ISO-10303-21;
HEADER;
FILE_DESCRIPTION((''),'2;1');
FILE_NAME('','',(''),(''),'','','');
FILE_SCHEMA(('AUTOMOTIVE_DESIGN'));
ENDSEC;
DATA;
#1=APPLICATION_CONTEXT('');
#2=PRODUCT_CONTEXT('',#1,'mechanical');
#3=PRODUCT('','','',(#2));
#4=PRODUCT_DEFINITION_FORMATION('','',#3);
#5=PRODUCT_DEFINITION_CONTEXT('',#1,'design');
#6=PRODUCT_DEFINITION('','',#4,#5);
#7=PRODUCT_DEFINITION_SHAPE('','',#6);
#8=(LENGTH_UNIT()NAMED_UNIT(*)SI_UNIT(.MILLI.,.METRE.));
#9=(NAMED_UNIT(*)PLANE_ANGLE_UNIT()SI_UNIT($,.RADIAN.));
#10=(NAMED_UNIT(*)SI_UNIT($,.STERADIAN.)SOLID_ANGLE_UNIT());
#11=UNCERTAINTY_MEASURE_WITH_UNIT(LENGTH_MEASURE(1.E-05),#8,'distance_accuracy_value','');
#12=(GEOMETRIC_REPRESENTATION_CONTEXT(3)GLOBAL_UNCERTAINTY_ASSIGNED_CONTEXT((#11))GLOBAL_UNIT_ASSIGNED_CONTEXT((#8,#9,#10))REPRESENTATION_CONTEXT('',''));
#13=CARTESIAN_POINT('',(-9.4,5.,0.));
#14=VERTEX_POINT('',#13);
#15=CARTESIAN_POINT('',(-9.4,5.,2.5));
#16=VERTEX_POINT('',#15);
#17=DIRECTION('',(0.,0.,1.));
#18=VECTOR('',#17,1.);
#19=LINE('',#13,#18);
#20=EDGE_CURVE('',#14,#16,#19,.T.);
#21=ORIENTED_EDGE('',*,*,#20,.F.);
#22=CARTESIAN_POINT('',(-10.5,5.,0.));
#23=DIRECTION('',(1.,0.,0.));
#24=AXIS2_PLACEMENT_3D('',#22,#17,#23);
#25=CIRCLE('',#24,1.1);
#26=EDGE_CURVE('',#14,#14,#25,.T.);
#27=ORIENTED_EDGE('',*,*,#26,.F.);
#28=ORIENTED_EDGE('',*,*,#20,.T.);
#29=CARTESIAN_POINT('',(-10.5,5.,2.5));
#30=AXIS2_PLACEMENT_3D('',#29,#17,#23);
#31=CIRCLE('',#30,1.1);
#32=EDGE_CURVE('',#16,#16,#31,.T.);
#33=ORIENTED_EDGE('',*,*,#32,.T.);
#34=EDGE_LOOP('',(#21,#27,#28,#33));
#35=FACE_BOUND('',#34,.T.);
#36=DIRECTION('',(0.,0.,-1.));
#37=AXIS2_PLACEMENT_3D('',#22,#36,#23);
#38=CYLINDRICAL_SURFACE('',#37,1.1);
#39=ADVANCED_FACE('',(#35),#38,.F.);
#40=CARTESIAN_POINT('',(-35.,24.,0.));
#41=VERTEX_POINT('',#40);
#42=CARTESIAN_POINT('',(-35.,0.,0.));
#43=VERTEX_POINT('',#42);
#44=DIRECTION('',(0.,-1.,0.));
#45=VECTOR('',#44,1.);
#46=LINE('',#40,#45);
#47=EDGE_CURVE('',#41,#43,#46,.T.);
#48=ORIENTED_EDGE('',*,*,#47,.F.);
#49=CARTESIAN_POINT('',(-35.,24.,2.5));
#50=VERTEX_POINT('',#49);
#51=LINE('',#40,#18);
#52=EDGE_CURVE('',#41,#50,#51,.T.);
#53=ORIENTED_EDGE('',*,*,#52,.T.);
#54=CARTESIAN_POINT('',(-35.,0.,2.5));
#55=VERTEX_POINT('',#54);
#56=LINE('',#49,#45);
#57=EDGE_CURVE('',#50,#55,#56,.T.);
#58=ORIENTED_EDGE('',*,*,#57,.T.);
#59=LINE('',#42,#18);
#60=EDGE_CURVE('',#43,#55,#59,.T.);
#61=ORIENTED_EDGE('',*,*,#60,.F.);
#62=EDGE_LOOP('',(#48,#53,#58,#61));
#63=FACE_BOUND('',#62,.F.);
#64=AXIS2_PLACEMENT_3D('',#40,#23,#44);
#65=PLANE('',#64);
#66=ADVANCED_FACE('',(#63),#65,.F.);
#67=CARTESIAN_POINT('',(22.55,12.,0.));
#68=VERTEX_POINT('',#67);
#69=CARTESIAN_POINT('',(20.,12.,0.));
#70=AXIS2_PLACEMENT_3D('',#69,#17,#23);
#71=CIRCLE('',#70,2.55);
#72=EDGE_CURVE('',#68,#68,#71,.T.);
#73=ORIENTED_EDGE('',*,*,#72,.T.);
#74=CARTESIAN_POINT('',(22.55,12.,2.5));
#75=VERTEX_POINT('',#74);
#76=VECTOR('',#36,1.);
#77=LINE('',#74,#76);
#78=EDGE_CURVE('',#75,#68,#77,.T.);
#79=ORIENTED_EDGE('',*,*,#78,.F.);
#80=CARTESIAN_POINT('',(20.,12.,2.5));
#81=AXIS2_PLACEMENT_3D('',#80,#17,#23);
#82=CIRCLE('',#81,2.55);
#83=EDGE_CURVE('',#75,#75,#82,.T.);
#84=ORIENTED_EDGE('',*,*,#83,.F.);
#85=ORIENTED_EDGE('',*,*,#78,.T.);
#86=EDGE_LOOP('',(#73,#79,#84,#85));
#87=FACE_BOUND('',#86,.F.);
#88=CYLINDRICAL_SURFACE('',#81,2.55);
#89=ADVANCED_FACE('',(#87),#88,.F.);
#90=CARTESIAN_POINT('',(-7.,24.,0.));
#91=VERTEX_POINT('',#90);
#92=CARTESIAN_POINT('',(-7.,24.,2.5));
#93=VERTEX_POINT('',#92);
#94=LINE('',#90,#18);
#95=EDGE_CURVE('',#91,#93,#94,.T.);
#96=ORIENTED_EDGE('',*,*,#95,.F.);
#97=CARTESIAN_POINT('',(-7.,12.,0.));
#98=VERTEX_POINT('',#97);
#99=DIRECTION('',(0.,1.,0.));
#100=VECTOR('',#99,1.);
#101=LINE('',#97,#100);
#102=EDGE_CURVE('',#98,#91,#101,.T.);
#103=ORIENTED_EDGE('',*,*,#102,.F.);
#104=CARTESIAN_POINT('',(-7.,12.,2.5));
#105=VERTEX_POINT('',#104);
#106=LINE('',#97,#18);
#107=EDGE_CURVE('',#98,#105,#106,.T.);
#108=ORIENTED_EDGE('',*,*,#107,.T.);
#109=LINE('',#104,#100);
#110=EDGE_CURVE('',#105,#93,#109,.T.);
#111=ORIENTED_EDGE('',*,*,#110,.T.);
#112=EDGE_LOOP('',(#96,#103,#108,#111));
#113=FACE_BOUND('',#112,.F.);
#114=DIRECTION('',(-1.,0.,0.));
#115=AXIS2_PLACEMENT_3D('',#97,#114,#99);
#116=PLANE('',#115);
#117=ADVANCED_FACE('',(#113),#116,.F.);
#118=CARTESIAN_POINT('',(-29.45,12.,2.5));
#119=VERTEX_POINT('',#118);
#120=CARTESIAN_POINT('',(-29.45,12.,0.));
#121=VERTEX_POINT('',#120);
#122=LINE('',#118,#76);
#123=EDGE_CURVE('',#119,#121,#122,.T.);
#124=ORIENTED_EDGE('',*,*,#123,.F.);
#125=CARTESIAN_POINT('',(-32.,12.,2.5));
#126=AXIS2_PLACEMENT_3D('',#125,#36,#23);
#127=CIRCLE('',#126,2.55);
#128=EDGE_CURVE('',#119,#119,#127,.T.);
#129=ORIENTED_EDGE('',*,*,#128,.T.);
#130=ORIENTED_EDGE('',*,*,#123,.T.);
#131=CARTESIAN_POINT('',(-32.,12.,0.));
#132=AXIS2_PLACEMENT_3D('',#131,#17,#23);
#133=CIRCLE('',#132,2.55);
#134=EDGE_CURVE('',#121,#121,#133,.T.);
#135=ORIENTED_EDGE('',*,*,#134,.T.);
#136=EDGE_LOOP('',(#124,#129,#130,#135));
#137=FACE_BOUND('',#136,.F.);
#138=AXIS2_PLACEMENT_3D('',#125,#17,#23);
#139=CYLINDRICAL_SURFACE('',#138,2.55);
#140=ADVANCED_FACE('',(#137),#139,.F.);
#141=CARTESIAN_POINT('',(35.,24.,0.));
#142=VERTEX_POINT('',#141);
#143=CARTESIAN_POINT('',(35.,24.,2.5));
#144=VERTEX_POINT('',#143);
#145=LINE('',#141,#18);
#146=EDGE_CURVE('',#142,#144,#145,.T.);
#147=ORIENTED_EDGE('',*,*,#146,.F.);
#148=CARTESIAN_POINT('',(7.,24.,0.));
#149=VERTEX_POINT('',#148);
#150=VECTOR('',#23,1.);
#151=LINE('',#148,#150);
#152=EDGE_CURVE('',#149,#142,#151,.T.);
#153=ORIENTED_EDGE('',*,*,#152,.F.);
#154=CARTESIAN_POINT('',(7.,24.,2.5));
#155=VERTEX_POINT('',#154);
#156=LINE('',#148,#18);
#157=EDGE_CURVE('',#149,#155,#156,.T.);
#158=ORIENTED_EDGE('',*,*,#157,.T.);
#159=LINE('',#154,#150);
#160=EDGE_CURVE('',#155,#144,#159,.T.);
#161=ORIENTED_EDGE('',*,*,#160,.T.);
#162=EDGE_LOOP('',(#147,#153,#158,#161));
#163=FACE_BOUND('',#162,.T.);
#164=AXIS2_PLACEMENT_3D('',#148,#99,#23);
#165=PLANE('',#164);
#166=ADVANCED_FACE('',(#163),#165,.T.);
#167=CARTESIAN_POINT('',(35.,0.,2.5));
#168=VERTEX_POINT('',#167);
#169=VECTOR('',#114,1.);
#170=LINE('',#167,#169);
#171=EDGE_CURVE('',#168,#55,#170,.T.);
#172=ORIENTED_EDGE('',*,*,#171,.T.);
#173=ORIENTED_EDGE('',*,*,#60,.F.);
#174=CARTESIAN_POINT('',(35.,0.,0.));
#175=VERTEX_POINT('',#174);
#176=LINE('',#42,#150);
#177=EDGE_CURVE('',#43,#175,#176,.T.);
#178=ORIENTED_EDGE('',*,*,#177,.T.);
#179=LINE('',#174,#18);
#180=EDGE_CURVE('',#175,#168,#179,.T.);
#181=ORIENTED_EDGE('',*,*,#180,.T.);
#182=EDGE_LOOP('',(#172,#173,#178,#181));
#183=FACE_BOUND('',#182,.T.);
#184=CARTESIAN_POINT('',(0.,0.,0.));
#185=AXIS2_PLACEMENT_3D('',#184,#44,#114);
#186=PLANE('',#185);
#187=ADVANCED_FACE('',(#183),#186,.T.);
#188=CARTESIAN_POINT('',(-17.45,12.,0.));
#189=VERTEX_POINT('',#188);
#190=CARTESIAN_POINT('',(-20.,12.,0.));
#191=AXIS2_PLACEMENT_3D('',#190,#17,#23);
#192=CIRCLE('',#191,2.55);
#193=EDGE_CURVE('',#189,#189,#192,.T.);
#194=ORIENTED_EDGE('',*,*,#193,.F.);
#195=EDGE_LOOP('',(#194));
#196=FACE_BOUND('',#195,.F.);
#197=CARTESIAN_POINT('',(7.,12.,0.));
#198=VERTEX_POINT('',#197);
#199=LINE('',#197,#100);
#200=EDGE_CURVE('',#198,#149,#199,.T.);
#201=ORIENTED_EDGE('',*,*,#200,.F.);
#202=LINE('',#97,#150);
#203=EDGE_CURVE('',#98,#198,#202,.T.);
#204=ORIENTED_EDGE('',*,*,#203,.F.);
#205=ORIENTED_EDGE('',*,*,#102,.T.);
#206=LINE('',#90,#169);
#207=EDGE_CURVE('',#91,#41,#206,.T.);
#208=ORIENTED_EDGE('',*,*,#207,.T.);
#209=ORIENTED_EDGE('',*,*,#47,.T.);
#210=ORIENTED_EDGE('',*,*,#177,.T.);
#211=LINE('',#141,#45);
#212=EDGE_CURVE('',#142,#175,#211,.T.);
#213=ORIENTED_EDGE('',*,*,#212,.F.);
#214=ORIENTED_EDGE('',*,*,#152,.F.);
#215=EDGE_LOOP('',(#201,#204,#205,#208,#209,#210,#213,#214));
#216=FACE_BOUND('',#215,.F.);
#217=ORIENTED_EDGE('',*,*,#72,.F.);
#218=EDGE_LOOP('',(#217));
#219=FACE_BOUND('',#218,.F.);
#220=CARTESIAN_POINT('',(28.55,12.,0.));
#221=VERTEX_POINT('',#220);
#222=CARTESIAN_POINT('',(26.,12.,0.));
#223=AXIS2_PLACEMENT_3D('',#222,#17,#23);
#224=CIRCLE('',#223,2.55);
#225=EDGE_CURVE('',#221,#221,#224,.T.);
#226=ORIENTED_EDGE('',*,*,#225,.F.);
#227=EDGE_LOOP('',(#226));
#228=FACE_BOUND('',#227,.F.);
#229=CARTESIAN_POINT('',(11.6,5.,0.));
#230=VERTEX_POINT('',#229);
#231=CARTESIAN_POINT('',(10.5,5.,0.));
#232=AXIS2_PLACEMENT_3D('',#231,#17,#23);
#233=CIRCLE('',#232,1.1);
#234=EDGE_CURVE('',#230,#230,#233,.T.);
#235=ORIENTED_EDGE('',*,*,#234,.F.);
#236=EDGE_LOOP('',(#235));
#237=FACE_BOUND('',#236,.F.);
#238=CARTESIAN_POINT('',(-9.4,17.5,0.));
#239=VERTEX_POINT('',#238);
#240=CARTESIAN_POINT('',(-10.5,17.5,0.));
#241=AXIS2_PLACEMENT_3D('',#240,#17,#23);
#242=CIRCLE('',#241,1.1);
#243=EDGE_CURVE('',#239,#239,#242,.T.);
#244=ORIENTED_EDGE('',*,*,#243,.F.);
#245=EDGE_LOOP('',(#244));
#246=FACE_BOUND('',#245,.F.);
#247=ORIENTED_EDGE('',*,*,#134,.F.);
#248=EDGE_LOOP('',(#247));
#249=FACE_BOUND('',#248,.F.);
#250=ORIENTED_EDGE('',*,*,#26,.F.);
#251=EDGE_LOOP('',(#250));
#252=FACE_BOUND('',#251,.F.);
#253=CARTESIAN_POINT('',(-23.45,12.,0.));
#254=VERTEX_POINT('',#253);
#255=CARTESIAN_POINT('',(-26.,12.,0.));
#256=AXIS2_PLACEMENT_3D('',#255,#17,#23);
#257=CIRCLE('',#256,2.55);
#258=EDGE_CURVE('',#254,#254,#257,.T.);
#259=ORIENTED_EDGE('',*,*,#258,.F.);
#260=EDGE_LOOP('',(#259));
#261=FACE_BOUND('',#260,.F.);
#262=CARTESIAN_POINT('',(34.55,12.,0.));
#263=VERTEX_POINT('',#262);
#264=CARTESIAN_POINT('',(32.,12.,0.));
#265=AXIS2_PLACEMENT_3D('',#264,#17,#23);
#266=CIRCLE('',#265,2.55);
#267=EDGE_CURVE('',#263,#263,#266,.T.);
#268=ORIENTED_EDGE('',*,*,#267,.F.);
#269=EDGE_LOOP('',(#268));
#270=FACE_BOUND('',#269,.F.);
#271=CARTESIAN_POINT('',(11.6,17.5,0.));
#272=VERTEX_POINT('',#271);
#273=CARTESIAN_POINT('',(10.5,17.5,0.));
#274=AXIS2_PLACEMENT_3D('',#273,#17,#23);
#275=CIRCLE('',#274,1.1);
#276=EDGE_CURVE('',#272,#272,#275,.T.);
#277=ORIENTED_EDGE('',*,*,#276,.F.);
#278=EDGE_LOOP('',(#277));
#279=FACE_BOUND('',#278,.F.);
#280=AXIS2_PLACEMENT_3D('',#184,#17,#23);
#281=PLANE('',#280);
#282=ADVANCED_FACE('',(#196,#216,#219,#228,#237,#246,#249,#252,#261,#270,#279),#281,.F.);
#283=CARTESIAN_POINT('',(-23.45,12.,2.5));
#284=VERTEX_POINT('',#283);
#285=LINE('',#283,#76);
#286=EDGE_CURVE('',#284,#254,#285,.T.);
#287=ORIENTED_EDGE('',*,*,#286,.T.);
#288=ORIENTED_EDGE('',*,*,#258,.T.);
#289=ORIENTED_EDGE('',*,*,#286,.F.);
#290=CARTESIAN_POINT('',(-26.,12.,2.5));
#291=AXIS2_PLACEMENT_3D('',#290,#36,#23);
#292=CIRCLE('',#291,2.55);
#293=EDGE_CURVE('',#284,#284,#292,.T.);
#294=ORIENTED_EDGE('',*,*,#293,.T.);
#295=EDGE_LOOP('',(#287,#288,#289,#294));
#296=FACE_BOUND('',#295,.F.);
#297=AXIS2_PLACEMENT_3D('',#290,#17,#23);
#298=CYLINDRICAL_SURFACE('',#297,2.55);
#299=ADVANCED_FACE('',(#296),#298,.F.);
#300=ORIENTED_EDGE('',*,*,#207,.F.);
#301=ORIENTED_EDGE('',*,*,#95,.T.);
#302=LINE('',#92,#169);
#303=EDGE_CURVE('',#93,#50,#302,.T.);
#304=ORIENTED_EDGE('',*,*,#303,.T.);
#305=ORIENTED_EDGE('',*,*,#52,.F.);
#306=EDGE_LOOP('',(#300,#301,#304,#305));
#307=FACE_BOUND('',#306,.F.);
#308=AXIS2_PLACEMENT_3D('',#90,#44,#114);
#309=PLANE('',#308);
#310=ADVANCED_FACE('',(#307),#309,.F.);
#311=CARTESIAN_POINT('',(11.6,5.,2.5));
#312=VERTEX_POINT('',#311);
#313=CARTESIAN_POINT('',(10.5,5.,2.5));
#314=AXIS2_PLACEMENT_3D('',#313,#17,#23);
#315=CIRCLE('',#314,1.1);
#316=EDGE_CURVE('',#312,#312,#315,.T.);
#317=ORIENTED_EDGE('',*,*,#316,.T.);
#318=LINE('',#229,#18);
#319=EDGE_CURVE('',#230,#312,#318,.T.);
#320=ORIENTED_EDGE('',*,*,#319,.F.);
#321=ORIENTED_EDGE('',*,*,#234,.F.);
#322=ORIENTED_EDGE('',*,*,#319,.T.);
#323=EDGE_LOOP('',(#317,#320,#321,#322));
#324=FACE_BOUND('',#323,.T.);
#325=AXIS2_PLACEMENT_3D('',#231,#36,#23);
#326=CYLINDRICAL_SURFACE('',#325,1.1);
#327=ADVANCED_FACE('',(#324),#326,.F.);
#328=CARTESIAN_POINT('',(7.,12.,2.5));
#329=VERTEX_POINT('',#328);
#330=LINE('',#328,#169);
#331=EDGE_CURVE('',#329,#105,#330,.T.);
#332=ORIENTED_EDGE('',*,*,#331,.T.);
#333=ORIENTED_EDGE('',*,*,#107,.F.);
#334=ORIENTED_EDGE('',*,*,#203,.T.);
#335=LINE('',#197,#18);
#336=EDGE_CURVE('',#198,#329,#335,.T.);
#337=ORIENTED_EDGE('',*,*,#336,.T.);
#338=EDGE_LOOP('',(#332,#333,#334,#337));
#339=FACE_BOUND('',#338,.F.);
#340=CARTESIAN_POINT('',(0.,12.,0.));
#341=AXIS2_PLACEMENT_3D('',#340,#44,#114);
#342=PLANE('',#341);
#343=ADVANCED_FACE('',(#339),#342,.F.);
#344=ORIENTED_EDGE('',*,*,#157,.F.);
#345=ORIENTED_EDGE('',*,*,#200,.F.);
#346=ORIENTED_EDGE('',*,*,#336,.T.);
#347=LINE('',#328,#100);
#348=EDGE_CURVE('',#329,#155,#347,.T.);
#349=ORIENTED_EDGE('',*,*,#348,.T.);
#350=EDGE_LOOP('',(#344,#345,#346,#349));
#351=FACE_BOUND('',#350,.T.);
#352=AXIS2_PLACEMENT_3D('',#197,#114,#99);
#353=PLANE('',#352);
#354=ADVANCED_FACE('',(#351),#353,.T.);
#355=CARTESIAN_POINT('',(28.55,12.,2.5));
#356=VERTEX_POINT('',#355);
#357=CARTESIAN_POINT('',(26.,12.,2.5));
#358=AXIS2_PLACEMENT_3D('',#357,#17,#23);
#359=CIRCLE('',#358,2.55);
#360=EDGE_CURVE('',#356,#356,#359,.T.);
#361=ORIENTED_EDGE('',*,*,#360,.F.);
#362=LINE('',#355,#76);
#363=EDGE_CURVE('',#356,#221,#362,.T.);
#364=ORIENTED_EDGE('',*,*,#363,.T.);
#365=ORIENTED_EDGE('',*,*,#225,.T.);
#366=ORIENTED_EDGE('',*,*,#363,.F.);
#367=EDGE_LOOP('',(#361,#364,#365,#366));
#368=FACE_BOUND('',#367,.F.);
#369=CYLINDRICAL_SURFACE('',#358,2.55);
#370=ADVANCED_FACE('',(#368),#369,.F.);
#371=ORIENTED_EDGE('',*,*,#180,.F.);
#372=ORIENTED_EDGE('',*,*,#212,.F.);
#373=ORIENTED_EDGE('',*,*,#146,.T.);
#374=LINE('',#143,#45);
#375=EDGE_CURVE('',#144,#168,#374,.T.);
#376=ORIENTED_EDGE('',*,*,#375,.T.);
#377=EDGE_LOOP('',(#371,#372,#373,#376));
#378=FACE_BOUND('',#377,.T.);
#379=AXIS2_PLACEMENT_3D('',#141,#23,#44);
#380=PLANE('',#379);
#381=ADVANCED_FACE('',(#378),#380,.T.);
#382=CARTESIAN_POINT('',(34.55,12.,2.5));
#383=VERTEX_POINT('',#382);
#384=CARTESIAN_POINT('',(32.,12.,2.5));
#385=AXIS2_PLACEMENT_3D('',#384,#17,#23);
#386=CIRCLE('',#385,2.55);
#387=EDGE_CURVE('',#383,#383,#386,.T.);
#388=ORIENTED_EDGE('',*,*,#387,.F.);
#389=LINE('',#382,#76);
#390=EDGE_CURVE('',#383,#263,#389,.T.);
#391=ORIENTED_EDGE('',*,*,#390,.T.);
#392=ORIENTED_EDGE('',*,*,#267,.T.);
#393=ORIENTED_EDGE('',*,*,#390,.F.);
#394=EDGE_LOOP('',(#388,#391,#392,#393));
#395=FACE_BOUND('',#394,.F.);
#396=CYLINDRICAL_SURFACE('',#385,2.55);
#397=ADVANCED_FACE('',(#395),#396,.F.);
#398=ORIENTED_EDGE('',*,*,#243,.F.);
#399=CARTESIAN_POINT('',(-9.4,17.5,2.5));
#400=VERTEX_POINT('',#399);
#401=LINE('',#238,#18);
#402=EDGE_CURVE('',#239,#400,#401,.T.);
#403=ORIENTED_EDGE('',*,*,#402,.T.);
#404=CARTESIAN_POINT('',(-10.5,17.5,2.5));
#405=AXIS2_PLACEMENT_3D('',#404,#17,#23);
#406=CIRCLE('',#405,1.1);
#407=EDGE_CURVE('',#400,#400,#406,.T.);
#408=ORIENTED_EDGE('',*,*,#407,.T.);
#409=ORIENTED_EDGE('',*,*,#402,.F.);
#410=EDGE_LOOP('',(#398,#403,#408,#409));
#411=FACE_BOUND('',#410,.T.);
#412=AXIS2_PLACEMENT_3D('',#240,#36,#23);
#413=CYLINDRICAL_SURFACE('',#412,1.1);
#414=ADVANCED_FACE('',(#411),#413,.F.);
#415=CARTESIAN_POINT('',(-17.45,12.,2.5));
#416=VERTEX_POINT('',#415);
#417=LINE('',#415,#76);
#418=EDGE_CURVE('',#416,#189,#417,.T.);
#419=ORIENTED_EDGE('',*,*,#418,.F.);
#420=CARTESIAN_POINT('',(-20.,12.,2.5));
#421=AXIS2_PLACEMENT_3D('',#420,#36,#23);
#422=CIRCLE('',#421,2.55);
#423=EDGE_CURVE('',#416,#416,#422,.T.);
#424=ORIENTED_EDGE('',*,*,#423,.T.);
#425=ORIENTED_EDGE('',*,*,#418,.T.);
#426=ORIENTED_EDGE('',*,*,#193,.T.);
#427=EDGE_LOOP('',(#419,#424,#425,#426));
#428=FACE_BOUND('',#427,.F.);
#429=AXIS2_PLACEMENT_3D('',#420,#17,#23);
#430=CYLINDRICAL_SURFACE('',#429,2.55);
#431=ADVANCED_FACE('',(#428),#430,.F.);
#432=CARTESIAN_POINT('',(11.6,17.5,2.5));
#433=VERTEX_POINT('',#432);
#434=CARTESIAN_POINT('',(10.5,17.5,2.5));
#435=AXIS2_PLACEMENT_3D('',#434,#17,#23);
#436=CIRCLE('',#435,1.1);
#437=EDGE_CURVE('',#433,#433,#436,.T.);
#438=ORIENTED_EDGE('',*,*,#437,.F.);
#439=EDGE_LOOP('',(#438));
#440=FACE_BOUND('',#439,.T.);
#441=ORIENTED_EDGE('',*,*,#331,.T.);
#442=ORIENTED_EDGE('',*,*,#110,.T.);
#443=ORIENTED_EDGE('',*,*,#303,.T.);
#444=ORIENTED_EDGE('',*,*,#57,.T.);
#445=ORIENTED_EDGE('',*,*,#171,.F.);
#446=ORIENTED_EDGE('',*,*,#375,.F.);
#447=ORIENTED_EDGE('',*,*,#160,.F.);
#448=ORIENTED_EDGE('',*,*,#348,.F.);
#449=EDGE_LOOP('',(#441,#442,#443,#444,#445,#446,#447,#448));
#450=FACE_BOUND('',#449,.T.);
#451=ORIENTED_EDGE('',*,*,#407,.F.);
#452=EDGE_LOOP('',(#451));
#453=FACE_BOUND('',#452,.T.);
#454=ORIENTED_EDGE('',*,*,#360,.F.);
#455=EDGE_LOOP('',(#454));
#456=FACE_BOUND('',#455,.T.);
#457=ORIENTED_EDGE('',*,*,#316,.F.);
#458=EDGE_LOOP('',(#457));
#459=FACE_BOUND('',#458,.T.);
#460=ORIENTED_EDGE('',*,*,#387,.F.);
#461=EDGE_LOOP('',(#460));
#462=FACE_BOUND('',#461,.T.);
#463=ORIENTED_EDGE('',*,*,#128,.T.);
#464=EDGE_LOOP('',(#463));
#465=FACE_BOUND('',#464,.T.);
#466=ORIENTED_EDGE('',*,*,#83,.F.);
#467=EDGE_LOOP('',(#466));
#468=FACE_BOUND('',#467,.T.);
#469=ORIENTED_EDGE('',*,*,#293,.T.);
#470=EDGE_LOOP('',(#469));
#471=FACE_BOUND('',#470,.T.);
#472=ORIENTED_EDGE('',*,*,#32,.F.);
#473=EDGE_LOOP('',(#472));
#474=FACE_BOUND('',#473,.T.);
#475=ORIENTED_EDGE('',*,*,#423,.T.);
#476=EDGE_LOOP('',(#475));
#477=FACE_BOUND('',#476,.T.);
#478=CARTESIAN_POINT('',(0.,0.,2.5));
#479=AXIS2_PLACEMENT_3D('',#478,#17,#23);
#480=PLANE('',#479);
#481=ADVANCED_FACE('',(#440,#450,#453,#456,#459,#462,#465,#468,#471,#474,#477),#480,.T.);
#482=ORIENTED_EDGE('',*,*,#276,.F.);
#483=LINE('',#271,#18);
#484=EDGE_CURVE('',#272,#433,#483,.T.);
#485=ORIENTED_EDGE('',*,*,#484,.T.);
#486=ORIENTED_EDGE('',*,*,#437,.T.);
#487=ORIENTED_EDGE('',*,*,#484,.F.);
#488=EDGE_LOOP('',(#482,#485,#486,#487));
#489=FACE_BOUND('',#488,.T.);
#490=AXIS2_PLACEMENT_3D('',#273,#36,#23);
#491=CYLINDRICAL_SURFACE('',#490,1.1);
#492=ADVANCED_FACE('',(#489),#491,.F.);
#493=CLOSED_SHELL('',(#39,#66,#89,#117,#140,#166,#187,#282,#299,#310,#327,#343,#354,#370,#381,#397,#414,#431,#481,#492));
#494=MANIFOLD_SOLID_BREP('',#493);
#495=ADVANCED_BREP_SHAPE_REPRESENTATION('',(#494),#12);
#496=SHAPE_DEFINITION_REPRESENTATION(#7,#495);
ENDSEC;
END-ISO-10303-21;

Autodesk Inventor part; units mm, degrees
ref_plane "YZ Plane" through (0, 0, 0) normal (1, 0, 0) x (0, 1, 0)
ref_plane "XZ Plane" through (0, 0, 0) normal (0, 1, 0) x (-1, 0, 0)
ref_plane "XY Plane" through (0, 0, 0) normal (0, 0, 1) x (1, 0, 0)
sketch "Náčrt1" plane through (0, 0, 0) normal (0, 0, 1) x (1, 0, 0)
  line L0 (0, 0) -> (0, 32)
  line L1 (0, 0) -> (35, 0)
  circle A0 centre (10.5, 5) radius 1.1
  circle A1 centre (10.5, 17.5) radius 1.1
  line L2 (0, 12) -> (7, 12)
  line L3 (7, 12) -> (7, 24)
  line L4 (7, 24) -> (35, 24)
  line L5 (35, 24) -> (35, 0)
  line L6 (0, 0) -> (-35, 0)
  circle A2 centre (-10.5, 5) radius 1.1
  circle A3 centre (-10.5, 17.5) radius 1.1
  line L7 (0, 12) -> (-7, 12)
  line L8 (-7, 12) -> (-7, 24)
  line L9 (-7, 24) -> (-35, 24)
  line L10 (-35, 24) -> (-35, 0)
  dimension "d0" = 32
  dimension "d1" = 35
  dimension "d2" = 2.2
  dimension "d3" = 5
  dimension "d4" = 10.5
  dimension "d5" = 2.2
  dimension "d6" = 12.5
  dimension "d7" = 12
  dimension "d8" = 7
  dimension "d9" = 12
extrude "Vysunutí1" add sketch "Náčrt1" along normal blind 2.5
sketch "Náčrt2" plane through (0, 0, 2.5) normal (0, 0, 1) x (1, 0, 0)
  line L0 (7, 12) -> (-7, 12) projected
  line L1 (0, 12) -> (-35, 12)
  line L2 (-35, 24) -> (-35, 0) projected
  circle A0 centre (-32, 12) radius 2.55
  circle A1 centre (-26, 12) radius 2.55
  circle A2 centre (-20, 12) radius 2.55
  line L3 (-7, 12) -> (-7, 24) projected
  line L4 (0, 0) -> (0, 12)
  circle A3 centre (32, 12) radius 2.55
  circle A4 centre (26, 12) radius 2.55
  circle A5 centre (20, 12) radius 2.55
  dimension "d12" = 5.1
  dimension "d17" = 13
  dimension "d18" = 5.1
  dimension "d19" = 5.1
  dimension "d20" = 6
  dimension "d21" = 6
extrude "Vysunutí2" cut sketch "Náčrt2" against normal through all
properties part number "kamera2"
